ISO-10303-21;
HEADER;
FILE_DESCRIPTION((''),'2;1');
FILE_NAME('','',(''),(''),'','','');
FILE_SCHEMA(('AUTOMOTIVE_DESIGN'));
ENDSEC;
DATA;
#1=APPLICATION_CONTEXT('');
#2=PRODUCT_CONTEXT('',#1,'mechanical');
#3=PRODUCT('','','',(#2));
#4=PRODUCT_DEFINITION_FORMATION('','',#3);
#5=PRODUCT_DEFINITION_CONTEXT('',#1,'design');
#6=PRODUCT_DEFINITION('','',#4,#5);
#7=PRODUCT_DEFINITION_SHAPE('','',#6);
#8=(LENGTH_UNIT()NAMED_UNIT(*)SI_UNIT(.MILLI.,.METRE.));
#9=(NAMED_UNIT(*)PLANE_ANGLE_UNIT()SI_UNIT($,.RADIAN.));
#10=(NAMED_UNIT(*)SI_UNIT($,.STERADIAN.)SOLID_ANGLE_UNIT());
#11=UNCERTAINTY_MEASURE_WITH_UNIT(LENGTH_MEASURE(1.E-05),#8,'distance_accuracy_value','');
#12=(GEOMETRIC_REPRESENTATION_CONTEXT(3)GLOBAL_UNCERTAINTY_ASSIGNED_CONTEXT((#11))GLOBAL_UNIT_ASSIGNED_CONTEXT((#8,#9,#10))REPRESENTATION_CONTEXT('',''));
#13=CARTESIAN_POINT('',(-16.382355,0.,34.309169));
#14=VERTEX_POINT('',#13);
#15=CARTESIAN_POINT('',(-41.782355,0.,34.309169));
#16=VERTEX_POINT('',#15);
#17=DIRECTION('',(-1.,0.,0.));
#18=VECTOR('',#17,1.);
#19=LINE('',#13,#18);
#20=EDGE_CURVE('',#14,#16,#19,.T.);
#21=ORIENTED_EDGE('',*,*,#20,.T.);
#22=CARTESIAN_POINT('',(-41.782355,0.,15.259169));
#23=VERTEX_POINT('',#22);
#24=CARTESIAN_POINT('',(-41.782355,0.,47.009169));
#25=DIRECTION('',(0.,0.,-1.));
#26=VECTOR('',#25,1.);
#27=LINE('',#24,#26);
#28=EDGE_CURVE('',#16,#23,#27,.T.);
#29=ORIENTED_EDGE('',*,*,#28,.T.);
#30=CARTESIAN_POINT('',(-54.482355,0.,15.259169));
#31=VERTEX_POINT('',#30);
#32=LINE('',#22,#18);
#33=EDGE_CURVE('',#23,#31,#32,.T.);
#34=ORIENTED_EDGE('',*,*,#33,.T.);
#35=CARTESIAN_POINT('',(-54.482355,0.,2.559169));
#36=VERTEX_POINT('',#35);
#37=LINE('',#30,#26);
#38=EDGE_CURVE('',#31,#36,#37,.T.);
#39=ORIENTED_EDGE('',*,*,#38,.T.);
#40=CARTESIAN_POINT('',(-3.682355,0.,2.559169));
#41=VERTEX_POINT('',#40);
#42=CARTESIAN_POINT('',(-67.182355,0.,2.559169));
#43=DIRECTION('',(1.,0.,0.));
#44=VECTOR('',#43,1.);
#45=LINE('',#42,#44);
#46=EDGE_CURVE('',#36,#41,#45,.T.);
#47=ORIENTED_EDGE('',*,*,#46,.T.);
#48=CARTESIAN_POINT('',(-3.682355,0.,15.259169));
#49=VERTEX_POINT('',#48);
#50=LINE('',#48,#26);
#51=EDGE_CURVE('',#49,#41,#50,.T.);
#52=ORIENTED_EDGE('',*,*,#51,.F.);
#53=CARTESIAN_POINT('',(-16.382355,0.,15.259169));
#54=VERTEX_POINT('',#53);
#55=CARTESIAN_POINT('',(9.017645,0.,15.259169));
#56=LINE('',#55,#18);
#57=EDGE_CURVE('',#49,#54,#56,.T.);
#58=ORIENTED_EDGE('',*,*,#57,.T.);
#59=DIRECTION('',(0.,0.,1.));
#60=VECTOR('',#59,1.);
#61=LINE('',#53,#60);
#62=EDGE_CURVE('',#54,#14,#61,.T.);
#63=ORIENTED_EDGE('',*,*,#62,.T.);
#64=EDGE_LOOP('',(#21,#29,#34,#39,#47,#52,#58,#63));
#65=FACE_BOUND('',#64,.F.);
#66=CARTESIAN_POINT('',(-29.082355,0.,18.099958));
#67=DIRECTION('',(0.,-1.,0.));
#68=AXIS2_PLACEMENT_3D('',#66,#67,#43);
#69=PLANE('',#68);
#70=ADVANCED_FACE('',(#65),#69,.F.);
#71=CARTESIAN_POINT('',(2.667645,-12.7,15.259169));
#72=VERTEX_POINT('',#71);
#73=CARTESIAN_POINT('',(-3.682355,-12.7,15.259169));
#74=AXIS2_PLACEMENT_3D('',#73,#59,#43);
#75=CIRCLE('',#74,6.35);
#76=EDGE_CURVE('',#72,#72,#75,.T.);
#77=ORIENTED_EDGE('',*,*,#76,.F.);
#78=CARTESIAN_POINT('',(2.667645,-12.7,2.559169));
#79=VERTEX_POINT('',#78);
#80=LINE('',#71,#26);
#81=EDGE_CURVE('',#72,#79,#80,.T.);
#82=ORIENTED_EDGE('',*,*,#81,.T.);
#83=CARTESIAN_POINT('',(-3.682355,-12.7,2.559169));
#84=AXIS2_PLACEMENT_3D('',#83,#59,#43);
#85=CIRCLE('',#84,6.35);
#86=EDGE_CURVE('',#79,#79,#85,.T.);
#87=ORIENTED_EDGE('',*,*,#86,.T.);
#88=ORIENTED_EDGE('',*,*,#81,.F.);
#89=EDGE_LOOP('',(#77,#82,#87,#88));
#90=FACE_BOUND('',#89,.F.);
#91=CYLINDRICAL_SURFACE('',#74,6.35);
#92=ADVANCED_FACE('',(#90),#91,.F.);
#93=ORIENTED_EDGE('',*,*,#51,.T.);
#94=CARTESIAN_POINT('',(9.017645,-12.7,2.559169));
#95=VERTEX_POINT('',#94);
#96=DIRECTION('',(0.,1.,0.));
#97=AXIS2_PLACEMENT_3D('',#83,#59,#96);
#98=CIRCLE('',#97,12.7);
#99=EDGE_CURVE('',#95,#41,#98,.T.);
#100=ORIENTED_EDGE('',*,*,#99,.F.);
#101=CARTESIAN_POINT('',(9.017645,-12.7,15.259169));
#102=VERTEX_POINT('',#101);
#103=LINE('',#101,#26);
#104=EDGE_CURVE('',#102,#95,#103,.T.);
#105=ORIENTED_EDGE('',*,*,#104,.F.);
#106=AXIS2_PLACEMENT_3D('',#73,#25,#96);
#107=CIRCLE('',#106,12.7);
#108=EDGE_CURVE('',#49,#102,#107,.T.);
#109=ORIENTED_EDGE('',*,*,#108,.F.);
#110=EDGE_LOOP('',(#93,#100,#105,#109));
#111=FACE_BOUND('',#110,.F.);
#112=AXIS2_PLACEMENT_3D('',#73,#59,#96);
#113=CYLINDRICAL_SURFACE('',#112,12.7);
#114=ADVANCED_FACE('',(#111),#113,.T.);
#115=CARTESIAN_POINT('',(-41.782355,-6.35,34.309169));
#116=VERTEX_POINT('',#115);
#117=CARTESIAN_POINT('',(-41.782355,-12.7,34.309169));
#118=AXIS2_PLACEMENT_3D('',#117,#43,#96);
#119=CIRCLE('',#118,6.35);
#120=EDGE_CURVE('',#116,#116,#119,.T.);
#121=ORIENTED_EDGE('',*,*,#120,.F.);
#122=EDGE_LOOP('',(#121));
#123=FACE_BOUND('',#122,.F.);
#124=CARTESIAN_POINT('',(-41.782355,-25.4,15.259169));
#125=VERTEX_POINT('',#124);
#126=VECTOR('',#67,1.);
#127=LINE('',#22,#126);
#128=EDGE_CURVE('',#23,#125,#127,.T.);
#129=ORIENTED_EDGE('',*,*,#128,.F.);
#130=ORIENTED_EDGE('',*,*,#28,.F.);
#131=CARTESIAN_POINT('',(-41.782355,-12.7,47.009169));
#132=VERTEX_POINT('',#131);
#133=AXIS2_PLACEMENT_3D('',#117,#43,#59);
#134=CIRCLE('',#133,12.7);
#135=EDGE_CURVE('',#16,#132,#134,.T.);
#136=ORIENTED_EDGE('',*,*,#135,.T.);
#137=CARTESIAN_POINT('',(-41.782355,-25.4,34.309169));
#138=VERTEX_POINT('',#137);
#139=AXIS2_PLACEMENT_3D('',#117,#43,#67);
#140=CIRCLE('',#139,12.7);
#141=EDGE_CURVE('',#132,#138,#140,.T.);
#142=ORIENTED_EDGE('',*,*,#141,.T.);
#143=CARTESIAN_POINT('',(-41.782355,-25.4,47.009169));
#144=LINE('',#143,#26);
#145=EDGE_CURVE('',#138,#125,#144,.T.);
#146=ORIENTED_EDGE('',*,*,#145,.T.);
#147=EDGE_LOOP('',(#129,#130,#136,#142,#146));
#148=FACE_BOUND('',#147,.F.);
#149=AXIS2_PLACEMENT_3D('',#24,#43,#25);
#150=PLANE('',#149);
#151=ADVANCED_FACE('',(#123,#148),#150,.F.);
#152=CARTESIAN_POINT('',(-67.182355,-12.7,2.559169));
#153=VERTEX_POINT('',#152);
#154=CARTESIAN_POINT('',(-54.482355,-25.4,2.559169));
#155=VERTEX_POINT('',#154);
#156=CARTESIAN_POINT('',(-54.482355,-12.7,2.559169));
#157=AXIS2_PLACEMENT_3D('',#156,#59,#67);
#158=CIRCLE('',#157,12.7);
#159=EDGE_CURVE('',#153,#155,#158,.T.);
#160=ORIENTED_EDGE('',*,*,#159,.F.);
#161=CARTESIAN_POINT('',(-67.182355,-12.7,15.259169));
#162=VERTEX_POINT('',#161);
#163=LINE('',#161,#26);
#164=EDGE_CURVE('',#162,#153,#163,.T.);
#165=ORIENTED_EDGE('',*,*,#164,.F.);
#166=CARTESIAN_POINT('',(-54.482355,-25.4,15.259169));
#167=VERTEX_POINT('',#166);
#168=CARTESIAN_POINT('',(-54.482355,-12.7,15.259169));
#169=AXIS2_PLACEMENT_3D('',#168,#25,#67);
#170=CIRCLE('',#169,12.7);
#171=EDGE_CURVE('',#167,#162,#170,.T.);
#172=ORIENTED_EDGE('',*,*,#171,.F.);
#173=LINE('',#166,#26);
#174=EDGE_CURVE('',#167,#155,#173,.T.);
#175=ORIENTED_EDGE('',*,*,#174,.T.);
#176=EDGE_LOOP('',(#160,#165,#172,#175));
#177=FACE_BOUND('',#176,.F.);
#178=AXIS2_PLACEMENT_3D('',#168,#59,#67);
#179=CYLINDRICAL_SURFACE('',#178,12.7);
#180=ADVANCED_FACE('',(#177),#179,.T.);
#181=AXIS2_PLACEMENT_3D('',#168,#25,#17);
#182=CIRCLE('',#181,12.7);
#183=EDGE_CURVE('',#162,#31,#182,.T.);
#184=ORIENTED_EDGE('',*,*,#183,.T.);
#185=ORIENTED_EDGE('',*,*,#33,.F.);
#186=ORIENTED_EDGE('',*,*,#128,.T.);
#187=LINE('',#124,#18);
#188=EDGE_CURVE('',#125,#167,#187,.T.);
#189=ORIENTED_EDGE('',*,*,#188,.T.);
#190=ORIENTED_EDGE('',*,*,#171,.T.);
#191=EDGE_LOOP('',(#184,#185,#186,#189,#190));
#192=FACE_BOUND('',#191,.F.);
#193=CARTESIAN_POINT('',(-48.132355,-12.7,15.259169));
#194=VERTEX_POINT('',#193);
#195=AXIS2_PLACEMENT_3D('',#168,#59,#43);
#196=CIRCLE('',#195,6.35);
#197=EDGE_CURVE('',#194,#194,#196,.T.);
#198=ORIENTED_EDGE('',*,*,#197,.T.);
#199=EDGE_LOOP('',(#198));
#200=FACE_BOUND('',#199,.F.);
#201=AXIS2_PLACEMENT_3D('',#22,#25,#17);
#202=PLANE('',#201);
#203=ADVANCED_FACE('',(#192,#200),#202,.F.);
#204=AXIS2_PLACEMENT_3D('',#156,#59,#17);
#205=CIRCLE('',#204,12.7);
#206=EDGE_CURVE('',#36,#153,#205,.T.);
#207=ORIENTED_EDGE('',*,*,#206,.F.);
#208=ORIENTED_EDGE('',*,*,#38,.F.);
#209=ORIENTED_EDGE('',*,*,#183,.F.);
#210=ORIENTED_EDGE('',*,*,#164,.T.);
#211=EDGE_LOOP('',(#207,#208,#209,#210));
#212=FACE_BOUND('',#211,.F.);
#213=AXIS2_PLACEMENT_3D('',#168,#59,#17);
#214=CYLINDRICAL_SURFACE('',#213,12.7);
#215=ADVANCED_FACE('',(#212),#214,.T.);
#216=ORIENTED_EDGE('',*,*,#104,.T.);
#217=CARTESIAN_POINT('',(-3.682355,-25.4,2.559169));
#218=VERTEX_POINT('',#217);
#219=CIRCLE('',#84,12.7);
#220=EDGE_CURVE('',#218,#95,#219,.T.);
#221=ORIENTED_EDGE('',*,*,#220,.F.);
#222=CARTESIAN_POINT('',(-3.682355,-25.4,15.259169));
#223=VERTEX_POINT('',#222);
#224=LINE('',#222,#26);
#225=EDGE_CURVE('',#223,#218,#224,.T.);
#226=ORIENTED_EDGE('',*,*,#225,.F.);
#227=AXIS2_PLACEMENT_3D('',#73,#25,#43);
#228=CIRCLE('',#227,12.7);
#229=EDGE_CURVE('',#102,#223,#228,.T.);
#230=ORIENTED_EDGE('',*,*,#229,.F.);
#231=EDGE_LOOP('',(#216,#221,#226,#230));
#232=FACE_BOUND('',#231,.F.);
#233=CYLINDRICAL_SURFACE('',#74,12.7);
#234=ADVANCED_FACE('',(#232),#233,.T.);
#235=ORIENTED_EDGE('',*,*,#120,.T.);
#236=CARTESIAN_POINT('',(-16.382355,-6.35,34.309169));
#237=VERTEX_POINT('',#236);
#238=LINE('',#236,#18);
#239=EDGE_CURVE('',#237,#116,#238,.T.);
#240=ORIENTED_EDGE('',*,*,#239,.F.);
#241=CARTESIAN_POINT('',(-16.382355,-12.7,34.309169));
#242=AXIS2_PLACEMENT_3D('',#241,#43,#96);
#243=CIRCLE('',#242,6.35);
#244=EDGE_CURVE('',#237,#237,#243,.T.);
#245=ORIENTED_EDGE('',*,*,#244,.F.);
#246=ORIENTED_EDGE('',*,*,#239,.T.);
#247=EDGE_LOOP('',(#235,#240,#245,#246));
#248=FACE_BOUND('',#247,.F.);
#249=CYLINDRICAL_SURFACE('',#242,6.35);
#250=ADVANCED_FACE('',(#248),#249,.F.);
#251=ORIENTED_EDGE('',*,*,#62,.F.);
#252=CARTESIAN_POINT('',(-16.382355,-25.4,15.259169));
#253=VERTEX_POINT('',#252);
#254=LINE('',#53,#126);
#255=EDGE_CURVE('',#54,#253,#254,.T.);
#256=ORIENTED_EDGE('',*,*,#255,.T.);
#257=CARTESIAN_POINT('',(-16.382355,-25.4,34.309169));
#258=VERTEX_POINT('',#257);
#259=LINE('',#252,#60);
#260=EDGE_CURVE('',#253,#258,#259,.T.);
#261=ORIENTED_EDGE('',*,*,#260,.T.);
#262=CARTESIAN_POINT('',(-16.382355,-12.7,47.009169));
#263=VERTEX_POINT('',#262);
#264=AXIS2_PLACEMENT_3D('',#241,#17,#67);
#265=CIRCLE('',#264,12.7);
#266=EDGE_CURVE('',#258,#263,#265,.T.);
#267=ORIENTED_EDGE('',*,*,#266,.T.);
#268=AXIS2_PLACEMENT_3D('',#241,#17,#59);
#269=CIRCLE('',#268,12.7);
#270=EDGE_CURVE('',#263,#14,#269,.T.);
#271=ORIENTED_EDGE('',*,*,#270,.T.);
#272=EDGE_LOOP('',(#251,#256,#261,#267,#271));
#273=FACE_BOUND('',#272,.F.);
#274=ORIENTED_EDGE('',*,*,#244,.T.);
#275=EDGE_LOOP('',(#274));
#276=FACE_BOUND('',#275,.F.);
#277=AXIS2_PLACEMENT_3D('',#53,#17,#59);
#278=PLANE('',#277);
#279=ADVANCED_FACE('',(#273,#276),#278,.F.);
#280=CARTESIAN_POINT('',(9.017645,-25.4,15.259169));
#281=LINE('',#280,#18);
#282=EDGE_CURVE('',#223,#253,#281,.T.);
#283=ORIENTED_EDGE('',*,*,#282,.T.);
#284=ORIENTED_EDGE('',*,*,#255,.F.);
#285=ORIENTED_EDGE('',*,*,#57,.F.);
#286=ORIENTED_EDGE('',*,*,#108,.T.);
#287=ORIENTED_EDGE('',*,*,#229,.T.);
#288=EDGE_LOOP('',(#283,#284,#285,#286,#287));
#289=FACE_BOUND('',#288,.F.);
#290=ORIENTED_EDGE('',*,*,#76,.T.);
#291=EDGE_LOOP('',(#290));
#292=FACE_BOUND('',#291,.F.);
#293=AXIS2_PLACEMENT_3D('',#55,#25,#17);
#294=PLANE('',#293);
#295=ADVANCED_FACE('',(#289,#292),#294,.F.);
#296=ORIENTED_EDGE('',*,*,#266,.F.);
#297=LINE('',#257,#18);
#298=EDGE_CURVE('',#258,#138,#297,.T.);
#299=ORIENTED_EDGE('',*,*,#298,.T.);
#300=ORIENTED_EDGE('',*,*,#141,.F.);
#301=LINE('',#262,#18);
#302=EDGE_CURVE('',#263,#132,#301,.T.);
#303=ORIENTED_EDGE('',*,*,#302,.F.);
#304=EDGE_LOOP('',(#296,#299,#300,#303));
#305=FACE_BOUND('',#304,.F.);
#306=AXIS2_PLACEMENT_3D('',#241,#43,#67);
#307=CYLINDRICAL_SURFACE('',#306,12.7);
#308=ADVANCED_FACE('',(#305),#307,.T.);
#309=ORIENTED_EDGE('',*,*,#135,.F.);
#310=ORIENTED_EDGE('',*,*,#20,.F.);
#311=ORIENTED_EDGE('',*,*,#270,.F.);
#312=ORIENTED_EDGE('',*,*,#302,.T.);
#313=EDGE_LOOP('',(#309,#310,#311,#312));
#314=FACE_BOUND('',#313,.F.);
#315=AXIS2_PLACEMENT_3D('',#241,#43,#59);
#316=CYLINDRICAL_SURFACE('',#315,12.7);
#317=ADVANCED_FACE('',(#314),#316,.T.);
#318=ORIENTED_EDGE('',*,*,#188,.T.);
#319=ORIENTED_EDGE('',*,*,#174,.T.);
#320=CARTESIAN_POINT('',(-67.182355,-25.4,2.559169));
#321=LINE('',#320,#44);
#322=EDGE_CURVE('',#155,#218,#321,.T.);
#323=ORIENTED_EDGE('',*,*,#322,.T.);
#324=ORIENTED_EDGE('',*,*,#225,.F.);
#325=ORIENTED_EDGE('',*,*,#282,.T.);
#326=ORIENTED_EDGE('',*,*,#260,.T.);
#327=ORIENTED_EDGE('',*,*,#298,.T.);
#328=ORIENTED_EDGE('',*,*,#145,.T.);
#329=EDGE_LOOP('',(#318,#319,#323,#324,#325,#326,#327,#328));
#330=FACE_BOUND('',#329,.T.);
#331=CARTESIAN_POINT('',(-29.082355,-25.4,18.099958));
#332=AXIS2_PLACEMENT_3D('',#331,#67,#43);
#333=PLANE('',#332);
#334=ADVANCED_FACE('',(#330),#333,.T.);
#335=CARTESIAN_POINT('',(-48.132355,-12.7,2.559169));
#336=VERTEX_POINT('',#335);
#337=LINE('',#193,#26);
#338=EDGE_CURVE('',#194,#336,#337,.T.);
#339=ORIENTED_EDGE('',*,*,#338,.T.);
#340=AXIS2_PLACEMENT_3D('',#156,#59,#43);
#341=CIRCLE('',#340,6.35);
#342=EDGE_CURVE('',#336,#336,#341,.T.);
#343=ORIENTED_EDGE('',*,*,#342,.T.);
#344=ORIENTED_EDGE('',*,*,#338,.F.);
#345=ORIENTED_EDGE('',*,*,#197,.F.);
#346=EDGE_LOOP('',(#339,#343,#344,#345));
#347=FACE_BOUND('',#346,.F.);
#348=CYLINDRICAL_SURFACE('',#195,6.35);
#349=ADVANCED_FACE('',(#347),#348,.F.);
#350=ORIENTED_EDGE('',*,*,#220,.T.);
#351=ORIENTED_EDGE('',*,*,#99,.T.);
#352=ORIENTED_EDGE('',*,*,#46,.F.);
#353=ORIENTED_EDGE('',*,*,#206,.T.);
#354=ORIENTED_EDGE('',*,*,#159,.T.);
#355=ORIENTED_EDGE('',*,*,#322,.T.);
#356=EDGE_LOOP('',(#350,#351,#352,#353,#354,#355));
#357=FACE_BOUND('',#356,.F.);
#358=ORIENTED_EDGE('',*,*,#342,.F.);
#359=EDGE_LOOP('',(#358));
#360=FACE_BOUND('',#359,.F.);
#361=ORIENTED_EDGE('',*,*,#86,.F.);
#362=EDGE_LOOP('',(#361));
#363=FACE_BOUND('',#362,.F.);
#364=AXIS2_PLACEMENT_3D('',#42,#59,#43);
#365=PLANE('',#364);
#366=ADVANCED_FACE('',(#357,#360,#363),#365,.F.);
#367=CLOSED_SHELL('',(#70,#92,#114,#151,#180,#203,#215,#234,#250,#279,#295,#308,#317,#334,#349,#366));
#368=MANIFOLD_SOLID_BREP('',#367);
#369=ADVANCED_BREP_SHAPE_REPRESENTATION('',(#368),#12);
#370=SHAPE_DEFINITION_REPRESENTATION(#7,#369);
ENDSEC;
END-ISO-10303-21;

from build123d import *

# Parameters (mm, degrees)
F1_DEPTH  = 25.4
F2_R      = 6.35
F3_DEPTH  = 12.701
F5_DEPTH  = 50.801
F6_R      = 6.35
F7_DEPTH  = 50.801
F9_DEPTH  = 12.701
F11_DEPTH = 12.701


with BuildPart() as f1:
    # F0 (on Front) → F1 (new body)
    with BuildSketch(Plane.XZ):
        Polygon((-41.7823548415, 15.2591690152), (-67.1823548415, 15.2591690152), (-67.1823548415, 2.5591690152), (9.0176451585, 2.5591690152), (9.0176451585, 15.2591690152), (-16.3823548415, 15.2591690152), (-16.3823548415, 47.0091690152), (-41.7823548415, 47.0091690152), align=None)
    extrude(amount=F1_DEPTH)

    # F2 (on face) → F3 (cut, through all)
    with BuildSketch(Plane.XY.offset(15.2591690152)):
        with Locations((-54.4823548415, -12.7)):
            Circle(F2_R)
        with Locations((-3.6823548415, -12.7)):
            Circle(F2_R)
    extrude(amount=-F3_DEPTH, mode=Mode.SUBTRACT)

    # F4 (on face) → F5 (cut, through all)
    with BuildSketch(Plane.YZ.offset(-16.3823548415)):
        with BuildLine():
            ThreePointArc((-25.4, 34.3091690152), (-21.6802561211, 43.2894251362), (-12.7, 47.0091690152))
            Line((-12.7, 47.0091690152), (-25.4, 47.0091690152))
            Line((-25.4, 47.0091690152), (-25.4, 34.3091690152))
        make_face()
        with BuildLine():
            ThreePointArc((-12.7, 47.0091690152), (-3.7197438789, 43.2894251362), (0, 34.3091690152))
            Line((0, 34.3091690152), (0, 47.0091690152))
            Line((0, 47.0091690152), (-12.7, 47.0091690152))
        make_face()
    extrude(amount=-F5_DEPTH, mode=Mode.SUBTRACT)

    # F6 (on face) → F7 (cut, through all)
    with BuildSketch(Plane.YZ.offset(-16.3823548415)):
        with Locations((-12.7, 34.3091690152)):
            Circle(F6_R)
    extrude(amount=-F7_DEPTH, mode=Mode.SUBTRACT)

    # F8 (on face) → F9 (cut, through all)
    with BuildSketch(Plane.XY.offset(15.2591690152)):
        with BuildLine():
            ThreePointArc((-3.6823548415, 0), (5.2979012796, -3.7197438789), (9.0176451585, -12.7))
            Line((9.0176451585, -12.7), (9.0176451585, 0))
            Line((9.0176451585, 0), (-3.6823548415, 0))
        make_face()
        with BuildLine():
            Line((9.0176451585, -25.4), (9.0176451585, -12.7))
            ThreePointArc((9.0176451585, -12.7), (5.2979012796, -21.6802561211), (-3.6823548415, -25.4))
            Line((-3.6823548415, -25.4), (9.0176451585, -25.4))
        make_face()
    extrude(amount=-F9_DEPTH, mode=Mode.SUBTRACT)

    # F10 (on face) → F11 (cut, through all)
    with BuildSketch(Plane.XY.offset(15.2591690152)):
        with BuildLine():
            ThreePointArc((-67.1823548415, -12.7), (-63.4626109626, -3.7197438789), (-54.4823548415, 0))
            Line((-54.4823548415, 0), (-67.1823548415, 0))
            Line((-67.1823548415, 0), (-67.1823548415, -12.7))
        make_face()
        with BuildLine():
            Line((-67.1823548415, -25.4), (-54.4823548415, -25.4))
            ThreePointArc((-54.4823548415, -25.4), (-63.4626109626, -21.6802561211), (-67.1823548415, -12.7))
            Line((-67.1823548415, -12.7), (-67.1823548415, -25.4))
        make_face()
    extrude(amount=-F11_DEPTH, mode=Mode.SUBTRACT)


solid = f1.part
